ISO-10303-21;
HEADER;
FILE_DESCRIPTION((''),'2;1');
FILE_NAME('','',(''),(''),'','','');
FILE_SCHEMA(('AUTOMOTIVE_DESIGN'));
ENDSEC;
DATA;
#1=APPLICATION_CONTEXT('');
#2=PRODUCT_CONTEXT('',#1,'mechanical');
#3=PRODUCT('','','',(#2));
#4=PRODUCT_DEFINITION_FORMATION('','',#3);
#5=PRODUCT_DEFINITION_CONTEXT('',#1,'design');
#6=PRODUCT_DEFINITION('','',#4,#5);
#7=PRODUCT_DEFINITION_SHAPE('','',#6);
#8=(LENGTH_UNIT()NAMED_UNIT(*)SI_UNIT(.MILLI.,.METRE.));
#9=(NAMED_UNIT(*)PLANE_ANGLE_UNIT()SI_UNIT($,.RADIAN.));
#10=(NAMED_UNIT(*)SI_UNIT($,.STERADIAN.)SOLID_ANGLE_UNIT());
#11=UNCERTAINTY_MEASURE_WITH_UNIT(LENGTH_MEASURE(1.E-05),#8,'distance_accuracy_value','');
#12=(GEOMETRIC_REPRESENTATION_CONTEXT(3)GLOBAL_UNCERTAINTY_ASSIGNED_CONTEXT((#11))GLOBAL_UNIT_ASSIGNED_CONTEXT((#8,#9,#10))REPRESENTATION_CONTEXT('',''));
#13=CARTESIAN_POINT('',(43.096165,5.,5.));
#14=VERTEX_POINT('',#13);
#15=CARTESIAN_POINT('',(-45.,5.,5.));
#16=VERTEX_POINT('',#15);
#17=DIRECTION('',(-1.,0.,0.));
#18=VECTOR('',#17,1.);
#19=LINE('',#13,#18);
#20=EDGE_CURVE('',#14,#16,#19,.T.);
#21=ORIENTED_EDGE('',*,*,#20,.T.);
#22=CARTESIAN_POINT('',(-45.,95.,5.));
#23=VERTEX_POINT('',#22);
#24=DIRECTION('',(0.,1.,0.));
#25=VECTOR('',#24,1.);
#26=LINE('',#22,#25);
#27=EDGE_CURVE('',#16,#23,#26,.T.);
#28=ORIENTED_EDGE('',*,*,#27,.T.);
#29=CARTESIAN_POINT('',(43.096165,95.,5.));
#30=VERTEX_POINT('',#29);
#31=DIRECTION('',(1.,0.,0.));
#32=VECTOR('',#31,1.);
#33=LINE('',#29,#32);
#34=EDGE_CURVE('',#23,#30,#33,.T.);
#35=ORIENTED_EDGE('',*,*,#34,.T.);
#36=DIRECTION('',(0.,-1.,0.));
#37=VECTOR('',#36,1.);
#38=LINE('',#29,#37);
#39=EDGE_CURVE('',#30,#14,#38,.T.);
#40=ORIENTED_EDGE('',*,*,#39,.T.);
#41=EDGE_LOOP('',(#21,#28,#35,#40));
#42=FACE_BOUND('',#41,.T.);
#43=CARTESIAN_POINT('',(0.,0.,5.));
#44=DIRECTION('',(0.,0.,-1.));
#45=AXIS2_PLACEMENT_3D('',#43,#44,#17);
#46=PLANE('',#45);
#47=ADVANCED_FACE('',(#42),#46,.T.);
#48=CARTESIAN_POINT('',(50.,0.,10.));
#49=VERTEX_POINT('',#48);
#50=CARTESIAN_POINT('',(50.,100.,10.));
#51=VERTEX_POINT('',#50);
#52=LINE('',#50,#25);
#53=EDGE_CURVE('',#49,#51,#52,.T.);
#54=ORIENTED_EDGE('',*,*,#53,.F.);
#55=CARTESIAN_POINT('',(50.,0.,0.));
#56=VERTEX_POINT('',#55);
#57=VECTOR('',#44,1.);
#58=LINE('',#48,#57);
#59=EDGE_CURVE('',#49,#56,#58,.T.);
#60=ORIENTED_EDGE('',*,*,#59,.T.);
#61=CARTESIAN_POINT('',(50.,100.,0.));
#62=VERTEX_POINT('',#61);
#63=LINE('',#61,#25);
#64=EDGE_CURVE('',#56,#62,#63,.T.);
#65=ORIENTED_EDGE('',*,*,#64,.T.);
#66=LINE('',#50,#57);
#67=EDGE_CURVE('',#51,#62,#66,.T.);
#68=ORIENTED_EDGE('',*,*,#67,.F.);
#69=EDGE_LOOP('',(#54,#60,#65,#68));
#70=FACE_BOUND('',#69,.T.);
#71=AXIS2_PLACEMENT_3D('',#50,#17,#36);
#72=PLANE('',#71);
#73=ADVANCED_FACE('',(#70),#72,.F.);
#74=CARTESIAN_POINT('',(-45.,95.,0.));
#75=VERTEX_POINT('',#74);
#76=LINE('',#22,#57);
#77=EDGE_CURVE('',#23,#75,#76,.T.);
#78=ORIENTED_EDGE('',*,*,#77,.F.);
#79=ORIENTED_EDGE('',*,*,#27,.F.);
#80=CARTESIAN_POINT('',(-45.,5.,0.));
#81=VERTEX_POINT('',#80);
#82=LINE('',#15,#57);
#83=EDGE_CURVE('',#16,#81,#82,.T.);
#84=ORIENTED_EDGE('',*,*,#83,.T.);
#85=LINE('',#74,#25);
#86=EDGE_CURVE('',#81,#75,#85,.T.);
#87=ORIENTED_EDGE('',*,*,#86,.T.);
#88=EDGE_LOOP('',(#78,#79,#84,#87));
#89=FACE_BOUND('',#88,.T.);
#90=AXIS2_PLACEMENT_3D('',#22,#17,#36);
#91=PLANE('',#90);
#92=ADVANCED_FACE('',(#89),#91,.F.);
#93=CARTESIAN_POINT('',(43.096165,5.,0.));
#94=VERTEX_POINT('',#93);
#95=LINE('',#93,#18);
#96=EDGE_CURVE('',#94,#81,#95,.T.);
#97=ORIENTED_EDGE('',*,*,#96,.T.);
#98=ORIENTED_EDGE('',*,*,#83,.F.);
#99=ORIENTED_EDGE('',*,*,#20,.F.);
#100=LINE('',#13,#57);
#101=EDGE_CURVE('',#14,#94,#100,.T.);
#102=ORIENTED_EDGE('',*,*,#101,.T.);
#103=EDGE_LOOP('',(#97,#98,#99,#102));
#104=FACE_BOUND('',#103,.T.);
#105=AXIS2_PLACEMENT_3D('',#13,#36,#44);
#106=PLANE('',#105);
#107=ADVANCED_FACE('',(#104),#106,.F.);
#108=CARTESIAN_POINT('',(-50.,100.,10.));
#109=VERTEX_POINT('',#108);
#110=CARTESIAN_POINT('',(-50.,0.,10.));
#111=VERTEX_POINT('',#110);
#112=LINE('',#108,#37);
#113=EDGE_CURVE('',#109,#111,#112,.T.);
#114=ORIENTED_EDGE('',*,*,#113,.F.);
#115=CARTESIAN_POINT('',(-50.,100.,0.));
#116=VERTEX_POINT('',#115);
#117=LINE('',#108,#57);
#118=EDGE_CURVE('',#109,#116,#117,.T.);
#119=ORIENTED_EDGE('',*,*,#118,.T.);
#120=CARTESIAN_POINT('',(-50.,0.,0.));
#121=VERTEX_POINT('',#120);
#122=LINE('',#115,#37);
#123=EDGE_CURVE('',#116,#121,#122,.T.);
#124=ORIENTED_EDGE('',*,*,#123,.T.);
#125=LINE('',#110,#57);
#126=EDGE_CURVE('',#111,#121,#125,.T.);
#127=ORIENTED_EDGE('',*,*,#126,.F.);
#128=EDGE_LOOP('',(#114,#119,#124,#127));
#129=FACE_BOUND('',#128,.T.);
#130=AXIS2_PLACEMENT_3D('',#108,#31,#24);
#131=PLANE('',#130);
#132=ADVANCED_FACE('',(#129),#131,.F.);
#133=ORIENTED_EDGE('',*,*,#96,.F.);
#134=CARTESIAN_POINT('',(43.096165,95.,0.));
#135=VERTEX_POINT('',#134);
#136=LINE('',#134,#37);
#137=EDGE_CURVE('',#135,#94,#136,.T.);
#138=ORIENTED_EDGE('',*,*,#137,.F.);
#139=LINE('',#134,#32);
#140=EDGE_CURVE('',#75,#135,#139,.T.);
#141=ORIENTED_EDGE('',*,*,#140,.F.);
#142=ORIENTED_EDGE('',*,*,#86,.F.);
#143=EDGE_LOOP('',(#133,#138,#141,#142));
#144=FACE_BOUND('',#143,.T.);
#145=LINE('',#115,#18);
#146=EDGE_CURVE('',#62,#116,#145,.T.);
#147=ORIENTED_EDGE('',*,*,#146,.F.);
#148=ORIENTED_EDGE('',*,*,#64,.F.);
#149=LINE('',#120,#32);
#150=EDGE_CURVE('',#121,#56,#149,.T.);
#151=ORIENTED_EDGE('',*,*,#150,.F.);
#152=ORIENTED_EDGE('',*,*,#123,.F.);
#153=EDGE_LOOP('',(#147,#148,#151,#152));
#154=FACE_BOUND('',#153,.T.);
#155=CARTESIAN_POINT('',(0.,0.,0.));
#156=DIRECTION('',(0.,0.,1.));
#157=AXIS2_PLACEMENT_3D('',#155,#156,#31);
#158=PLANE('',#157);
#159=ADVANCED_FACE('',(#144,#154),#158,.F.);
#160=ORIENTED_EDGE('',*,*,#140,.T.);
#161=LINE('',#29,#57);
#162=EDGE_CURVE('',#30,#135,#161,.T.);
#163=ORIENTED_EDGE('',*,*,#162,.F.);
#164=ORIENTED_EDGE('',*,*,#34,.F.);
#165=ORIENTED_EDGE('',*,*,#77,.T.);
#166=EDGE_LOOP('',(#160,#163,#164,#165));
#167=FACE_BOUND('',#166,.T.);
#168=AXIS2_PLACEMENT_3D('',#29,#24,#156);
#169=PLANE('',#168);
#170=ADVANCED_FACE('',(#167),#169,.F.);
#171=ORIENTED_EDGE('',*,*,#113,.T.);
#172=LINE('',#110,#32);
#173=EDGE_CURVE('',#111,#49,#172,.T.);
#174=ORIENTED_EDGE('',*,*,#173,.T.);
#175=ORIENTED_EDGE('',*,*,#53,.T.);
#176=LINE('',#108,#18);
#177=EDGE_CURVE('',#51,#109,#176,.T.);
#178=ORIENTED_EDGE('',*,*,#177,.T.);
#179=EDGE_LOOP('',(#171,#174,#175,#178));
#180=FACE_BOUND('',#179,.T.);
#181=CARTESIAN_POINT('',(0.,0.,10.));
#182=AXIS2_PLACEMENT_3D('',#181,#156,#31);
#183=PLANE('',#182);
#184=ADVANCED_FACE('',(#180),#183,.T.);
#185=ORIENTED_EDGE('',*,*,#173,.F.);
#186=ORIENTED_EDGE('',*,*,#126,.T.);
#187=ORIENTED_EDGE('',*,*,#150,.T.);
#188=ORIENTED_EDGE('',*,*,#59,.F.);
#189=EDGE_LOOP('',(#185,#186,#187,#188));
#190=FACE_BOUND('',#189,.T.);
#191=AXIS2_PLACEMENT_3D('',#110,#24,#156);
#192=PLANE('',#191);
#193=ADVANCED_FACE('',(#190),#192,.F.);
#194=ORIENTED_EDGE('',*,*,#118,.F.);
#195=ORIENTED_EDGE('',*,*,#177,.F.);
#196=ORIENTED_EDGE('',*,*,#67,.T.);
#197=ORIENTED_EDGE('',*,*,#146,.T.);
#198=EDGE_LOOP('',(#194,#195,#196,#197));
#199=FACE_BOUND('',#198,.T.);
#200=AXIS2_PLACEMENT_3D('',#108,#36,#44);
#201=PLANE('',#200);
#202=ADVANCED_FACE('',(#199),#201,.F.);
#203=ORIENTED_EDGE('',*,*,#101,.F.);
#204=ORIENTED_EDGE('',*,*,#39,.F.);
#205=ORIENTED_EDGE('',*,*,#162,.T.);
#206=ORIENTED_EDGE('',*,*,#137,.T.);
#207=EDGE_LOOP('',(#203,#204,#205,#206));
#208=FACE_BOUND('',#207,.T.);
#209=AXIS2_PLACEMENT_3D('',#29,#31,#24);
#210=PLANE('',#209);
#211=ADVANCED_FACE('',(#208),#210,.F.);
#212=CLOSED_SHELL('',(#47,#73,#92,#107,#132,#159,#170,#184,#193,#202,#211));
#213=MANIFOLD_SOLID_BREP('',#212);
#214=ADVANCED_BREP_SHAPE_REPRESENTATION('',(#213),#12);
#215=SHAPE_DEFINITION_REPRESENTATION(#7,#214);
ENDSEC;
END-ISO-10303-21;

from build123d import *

# Parameters (mm, degrees)
SKETCH2_W           = 100
SKETCH2_H           = 100
BOSS_EXTRUDE1_DEPTH = 10
SKETCH3_W           = 88.096165101
SKETCH3_H           = 90
CUT_EXTRUDE1_DEPTH  = 5


with BuildPart() as part:
    # Sketch2 → Boss-Extrude1 (new body)
    with BuildSketch(Plane.XY):
        with Locations((0, 50)):
            Rectangle(SKETCH2_W, SKETCH2_H)
    extrude(amount=BOSS_EXTRUDE1_DEPTH)

    # Sketch3 → Cut-Extrude1 (cut)
    with BuildSketch(Plane(origin=(0, 0, 0), x_dir=(-1, 0, 0), z_dir=(0, 0, -1))):
        with Locations((0.951917449, 50)):
            Rectangle(SKETCH3_W, SKETCH3_H)
    extrude(amount=-CUT_EXTRUDE1_DEPTH, mode=Mode.SUBTRACT)


solid = part.part
